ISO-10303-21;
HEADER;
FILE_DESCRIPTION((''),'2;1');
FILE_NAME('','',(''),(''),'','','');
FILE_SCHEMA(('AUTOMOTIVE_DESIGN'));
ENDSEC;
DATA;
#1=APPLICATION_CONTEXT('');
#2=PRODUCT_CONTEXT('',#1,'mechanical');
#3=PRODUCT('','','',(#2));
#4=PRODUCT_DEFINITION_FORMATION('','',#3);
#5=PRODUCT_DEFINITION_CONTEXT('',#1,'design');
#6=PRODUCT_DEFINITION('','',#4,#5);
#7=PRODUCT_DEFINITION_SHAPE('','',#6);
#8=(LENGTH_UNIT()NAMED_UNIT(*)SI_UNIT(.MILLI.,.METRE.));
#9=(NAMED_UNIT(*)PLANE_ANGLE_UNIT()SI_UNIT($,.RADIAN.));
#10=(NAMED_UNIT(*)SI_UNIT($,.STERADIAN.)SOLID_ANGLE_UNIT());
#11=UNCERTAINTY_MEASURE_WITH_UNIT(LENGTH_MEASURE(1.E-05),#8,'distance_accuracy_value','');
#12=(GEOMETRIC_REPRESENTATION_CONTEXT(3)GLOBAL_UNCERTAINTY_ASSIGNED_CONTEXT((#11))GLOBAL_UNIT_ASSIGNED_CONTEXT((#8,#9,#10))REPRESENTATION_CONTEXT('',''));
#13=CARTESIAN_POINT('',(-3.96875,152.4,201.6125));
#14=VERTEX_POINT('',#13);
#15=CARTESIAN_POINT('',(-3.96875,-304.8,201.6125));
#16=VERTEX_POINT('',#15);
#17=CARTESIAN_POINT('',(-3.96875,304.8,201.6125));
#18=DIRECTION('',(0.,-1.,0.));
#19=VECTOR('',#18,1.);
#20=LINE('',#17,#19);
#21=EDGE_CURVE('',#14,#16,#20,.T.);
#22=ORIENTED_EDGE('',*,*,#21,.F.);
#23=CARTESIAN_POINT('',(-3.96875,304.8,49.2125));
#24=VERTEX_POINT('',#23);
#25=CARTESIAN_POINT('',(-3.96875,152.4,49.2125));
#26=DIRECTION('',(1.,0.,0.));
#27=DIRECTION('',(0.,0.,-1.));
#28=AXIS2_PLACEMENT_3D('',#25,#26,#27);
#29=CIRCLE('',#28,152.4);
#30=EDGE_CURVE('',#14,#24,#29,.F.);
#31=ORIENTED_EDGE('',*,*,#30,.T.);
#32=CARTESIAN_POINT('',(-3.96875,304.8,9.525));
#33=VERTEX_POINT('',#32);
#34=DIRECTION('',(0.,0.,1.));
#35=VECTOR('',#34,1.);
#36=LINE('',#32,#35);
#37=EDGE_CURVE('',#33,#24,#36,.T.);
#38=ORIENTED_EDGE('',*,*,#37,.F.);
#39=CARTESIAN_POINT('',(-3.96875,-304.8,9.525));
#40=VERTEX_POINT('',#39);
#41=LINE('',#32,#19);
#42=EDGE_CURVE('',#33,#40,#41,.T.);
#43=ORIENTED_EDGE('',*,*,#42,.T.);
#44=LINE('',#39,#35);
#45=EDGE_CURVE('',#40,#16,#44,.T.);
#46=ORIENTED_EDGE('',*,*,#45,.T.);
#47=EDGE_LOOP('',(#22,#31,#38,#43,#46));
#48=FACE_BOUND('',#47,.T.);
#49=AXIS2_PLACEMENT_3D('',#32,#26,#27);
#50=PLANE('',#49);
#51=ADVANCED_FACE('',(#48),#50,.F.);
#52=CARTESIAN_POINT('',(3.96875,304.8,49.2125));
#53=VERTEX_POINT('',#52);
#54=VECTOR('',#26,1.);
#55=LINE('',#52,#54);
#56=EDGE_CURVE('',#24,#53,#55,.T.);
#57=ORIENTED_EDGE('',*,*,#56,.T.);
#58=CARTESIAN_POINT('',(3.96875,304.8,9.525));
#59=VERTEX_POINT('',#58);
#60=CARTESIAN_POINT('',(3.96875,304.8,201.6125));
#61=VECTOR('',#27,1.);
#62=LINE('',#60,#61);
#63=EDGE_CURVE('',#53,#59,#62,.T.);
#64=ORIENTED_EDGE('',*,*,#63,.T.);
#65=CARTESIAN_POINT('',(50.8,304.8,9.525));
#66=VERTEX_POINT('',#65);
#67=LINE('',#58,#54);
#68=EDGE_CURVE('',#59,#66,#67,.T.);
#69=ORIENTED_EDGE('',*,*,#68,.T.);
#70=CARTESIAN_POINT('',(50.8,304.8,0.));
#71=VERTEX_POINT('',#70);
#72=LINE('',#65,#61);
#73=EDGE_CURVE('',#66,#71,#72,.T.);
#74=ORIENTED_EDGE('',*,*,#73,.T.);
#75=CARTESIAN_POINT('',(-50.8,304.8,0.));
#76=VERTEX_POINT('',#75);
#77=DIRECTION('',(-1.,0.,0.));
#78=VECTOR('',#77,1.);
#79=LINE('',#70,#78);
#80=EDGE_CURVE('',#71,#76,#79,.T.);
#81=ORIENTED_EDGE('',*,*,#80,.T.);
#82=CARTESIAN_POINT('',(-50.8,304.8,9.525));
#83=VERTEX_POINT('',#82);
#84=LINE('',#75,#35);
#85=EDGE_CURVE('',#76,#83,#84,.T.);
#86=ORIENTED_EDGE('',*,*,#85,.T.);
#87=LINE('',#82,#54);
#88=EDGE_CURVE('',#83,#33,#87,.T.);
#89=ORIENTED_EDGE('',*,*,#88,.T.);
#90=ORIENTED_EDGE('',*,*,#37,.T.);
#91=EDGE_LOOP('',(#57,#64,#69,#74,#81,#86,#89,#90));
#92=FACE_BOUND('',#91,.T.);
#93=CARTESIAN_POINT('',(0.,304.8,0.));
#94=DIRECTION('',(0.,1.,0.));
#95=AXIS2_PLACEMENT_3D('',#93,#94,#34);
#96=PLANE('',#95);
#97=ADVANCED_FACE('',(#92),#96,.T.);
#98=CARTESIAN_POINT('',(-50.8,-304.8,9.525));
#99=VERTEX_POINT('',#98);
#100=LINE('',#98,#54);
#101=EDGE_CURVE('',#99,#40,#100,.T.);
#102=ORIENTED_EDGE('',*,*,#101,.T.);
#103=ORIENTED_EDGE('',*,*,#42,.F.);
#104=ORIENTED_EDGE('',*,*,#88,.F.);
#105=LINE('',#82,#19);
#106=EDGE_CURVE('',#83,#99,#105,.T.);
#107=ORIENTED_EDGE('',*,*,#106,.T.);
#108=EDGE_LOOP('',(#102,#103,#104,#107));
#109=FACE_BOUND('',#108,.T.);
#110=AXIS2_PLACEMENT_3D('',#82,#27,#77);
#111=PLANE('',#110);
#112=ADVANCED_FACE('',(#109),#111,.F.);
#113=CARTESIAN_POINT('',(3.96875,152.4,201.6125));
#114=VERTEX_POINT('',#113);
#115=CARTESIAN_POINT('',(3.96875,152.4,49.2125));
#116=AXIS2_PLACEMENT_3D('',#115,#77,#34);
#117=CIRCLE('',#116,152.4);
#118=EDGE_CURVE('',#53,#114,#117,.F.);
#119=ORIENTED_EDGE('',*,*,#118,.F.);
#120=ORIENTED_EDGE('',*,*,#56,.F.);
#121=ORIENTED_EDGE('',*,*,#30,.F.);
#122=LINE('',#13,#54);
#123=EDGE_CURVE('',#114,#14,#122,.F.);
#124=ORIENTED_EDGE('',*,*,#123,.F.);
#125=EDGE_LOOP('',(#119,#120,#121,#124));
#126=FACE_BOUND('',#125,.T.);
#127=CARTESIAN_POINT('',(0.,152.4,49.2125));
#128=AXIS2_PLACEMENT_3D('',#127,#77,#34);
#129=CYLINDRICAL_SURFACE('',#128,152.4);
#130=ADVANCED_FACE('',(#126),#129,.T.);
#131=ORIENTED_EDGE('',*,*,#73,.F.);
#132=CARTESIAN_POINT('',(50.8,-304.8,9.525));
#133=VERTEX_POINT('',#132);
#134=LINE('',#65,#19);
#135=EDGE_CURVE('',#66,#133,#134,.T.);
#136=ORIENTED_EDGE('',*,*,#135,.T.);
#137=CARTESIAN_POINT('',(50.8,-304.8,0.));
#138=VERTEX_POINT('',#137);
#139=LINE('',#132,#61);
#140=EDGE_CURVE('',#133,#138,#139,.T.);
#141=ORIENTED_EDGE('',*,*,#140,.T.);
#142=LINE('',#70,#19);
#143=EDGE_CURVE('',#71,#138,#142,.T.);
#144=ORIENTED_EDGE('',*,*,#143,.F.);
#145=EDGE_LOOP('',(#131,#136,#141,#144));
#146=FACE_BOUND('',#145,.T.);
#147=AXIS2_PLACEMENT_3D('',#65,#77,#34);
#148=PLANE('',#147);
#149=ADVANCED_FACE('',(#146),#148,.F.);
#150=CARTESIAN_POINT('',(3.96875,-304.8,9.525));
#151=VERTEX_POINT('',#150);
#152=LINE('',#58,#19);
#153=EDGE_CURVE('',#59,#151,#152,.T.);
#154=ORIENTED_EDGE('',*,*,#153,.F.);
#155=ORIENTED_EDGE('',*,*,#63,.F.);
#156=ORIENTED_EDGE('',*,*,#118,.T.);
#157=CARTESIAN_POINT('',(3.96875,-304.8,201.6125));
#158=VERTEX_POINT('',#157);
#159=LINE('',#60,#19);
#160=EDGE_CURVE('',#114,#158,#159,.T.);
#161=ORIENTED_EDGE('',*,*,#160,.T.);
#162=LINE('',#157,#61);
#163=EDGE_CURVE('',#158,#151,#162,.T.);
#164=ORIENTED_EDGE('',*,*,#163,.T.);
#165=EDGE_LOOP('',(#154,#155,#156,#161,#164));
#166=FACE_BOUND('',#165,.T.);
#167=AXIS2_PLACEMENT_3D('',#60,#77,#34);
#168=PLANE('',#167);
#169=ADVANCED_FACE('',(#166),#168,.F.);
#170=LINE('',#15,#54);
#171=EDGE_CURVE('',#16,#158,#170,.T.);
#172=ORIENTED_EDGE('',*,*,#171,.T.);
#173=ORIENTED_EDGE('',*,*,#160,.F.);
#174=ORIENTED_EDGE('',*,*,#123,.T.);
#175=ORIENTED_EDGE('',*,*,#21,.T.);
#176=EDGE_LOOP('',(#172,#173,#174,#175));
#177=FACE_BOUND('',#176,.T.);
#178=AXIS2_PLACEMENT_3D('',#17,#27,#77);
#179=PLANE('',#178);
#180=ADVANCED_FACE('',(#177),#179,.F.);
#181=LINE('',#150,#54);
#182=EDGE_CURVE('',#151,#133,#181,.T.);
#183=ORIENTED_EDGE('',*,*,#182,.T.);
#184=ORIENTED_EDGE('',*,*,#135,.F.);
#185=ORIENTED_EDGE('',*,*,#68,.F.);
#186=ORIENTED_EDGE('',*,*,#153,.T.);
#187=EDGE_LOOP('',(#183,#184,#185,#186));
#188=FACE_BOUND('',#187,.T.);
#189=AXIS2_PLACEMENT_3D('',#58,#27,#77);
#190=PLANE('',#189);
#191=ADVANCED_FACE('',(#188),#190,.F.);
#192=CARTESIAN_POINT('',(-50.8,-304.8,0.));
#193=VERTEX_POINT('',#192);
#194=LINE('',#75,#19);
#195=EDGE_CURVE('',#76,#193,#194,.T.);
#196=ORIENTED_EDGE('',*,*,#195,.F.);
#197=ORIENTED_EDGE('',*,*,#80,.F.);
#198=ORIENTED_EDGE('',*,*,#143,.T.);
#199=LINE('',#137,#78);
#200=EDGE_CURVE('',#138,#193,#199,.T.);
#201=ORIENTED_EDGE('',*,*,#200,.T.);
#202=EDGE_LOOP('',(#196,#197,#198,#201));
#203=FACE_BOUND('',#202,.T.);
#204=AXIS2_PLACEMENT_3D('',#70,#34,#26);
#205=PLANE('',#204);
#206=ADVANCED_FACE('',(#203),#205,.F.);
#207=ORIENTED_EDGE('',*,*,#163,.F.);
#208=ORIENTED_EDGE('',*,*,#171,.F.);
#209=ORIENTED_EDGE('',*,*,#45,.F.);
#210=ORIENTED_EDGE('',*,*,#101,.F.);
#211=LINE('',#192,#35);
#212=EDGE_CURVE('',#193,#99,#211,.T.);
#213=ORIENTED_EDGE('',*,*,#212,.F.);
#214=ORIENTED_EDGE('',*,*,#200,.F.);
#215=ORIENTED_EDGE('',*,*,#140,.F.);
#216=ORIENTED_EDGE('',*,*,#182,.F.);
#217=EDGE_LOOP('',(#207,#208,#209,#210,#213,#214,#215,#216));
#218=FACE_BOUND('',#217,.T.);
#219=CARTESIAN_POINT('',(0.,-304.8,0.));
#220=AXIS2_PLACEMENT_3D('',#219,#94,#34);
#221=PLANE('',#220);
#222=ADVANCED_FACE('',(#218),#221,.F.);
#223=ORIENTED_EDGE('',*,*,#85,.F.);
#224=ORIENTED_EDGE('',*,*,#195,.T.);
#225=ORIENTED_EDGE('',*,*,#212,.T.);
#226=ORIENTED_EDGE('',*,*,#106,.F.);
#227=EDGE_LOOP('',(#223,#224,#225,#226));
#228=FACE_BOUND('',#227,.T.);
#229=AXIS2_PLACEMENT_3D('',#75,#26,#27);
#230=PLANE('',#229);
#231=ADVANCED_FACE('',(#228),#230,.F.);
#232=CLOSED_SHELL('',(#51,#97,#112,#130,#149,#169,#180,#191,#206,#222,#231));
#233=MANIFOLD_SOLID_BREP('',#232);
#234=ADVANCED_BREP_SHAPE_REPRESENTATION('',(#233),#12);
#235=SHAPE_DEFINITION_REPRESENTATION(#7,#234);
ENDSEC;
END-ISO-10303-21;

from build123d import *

# Parameters (mm, degrees)
BOSS_EXTRUDE1_DEPTH = 304.8
FILLET1_R           = 152.4


with BuildPart() as part:
    # Sketch1 → Boss-Extrude1 (new body, symmetric)
    with BuildSketch(Plane(origin=(0, 0, 0), x_dir=(-1, 0, 0), z_dir=(0, 1, 0))):
        Polygon((-50.8, 0), (50.8, 0), (50.8, 9.525), (3.96875, 9.525), (3.96875, 201.6125), (-3.96875, 201.6125), (-3.96875, 9.525), (-50.8, 9.525), align=None)
    extrude(amount=BOSS_EXTRUDE1_DEPTH, both=True)

    # Fillet1
    fillet1_edges = [part.edges().sort_by_distance(p)[0] for p in [
        (0, 304.8, 201.6125),
    ]]
    fillet(fillet1_edges, radius=FILLET1_R)


solid = part.part
